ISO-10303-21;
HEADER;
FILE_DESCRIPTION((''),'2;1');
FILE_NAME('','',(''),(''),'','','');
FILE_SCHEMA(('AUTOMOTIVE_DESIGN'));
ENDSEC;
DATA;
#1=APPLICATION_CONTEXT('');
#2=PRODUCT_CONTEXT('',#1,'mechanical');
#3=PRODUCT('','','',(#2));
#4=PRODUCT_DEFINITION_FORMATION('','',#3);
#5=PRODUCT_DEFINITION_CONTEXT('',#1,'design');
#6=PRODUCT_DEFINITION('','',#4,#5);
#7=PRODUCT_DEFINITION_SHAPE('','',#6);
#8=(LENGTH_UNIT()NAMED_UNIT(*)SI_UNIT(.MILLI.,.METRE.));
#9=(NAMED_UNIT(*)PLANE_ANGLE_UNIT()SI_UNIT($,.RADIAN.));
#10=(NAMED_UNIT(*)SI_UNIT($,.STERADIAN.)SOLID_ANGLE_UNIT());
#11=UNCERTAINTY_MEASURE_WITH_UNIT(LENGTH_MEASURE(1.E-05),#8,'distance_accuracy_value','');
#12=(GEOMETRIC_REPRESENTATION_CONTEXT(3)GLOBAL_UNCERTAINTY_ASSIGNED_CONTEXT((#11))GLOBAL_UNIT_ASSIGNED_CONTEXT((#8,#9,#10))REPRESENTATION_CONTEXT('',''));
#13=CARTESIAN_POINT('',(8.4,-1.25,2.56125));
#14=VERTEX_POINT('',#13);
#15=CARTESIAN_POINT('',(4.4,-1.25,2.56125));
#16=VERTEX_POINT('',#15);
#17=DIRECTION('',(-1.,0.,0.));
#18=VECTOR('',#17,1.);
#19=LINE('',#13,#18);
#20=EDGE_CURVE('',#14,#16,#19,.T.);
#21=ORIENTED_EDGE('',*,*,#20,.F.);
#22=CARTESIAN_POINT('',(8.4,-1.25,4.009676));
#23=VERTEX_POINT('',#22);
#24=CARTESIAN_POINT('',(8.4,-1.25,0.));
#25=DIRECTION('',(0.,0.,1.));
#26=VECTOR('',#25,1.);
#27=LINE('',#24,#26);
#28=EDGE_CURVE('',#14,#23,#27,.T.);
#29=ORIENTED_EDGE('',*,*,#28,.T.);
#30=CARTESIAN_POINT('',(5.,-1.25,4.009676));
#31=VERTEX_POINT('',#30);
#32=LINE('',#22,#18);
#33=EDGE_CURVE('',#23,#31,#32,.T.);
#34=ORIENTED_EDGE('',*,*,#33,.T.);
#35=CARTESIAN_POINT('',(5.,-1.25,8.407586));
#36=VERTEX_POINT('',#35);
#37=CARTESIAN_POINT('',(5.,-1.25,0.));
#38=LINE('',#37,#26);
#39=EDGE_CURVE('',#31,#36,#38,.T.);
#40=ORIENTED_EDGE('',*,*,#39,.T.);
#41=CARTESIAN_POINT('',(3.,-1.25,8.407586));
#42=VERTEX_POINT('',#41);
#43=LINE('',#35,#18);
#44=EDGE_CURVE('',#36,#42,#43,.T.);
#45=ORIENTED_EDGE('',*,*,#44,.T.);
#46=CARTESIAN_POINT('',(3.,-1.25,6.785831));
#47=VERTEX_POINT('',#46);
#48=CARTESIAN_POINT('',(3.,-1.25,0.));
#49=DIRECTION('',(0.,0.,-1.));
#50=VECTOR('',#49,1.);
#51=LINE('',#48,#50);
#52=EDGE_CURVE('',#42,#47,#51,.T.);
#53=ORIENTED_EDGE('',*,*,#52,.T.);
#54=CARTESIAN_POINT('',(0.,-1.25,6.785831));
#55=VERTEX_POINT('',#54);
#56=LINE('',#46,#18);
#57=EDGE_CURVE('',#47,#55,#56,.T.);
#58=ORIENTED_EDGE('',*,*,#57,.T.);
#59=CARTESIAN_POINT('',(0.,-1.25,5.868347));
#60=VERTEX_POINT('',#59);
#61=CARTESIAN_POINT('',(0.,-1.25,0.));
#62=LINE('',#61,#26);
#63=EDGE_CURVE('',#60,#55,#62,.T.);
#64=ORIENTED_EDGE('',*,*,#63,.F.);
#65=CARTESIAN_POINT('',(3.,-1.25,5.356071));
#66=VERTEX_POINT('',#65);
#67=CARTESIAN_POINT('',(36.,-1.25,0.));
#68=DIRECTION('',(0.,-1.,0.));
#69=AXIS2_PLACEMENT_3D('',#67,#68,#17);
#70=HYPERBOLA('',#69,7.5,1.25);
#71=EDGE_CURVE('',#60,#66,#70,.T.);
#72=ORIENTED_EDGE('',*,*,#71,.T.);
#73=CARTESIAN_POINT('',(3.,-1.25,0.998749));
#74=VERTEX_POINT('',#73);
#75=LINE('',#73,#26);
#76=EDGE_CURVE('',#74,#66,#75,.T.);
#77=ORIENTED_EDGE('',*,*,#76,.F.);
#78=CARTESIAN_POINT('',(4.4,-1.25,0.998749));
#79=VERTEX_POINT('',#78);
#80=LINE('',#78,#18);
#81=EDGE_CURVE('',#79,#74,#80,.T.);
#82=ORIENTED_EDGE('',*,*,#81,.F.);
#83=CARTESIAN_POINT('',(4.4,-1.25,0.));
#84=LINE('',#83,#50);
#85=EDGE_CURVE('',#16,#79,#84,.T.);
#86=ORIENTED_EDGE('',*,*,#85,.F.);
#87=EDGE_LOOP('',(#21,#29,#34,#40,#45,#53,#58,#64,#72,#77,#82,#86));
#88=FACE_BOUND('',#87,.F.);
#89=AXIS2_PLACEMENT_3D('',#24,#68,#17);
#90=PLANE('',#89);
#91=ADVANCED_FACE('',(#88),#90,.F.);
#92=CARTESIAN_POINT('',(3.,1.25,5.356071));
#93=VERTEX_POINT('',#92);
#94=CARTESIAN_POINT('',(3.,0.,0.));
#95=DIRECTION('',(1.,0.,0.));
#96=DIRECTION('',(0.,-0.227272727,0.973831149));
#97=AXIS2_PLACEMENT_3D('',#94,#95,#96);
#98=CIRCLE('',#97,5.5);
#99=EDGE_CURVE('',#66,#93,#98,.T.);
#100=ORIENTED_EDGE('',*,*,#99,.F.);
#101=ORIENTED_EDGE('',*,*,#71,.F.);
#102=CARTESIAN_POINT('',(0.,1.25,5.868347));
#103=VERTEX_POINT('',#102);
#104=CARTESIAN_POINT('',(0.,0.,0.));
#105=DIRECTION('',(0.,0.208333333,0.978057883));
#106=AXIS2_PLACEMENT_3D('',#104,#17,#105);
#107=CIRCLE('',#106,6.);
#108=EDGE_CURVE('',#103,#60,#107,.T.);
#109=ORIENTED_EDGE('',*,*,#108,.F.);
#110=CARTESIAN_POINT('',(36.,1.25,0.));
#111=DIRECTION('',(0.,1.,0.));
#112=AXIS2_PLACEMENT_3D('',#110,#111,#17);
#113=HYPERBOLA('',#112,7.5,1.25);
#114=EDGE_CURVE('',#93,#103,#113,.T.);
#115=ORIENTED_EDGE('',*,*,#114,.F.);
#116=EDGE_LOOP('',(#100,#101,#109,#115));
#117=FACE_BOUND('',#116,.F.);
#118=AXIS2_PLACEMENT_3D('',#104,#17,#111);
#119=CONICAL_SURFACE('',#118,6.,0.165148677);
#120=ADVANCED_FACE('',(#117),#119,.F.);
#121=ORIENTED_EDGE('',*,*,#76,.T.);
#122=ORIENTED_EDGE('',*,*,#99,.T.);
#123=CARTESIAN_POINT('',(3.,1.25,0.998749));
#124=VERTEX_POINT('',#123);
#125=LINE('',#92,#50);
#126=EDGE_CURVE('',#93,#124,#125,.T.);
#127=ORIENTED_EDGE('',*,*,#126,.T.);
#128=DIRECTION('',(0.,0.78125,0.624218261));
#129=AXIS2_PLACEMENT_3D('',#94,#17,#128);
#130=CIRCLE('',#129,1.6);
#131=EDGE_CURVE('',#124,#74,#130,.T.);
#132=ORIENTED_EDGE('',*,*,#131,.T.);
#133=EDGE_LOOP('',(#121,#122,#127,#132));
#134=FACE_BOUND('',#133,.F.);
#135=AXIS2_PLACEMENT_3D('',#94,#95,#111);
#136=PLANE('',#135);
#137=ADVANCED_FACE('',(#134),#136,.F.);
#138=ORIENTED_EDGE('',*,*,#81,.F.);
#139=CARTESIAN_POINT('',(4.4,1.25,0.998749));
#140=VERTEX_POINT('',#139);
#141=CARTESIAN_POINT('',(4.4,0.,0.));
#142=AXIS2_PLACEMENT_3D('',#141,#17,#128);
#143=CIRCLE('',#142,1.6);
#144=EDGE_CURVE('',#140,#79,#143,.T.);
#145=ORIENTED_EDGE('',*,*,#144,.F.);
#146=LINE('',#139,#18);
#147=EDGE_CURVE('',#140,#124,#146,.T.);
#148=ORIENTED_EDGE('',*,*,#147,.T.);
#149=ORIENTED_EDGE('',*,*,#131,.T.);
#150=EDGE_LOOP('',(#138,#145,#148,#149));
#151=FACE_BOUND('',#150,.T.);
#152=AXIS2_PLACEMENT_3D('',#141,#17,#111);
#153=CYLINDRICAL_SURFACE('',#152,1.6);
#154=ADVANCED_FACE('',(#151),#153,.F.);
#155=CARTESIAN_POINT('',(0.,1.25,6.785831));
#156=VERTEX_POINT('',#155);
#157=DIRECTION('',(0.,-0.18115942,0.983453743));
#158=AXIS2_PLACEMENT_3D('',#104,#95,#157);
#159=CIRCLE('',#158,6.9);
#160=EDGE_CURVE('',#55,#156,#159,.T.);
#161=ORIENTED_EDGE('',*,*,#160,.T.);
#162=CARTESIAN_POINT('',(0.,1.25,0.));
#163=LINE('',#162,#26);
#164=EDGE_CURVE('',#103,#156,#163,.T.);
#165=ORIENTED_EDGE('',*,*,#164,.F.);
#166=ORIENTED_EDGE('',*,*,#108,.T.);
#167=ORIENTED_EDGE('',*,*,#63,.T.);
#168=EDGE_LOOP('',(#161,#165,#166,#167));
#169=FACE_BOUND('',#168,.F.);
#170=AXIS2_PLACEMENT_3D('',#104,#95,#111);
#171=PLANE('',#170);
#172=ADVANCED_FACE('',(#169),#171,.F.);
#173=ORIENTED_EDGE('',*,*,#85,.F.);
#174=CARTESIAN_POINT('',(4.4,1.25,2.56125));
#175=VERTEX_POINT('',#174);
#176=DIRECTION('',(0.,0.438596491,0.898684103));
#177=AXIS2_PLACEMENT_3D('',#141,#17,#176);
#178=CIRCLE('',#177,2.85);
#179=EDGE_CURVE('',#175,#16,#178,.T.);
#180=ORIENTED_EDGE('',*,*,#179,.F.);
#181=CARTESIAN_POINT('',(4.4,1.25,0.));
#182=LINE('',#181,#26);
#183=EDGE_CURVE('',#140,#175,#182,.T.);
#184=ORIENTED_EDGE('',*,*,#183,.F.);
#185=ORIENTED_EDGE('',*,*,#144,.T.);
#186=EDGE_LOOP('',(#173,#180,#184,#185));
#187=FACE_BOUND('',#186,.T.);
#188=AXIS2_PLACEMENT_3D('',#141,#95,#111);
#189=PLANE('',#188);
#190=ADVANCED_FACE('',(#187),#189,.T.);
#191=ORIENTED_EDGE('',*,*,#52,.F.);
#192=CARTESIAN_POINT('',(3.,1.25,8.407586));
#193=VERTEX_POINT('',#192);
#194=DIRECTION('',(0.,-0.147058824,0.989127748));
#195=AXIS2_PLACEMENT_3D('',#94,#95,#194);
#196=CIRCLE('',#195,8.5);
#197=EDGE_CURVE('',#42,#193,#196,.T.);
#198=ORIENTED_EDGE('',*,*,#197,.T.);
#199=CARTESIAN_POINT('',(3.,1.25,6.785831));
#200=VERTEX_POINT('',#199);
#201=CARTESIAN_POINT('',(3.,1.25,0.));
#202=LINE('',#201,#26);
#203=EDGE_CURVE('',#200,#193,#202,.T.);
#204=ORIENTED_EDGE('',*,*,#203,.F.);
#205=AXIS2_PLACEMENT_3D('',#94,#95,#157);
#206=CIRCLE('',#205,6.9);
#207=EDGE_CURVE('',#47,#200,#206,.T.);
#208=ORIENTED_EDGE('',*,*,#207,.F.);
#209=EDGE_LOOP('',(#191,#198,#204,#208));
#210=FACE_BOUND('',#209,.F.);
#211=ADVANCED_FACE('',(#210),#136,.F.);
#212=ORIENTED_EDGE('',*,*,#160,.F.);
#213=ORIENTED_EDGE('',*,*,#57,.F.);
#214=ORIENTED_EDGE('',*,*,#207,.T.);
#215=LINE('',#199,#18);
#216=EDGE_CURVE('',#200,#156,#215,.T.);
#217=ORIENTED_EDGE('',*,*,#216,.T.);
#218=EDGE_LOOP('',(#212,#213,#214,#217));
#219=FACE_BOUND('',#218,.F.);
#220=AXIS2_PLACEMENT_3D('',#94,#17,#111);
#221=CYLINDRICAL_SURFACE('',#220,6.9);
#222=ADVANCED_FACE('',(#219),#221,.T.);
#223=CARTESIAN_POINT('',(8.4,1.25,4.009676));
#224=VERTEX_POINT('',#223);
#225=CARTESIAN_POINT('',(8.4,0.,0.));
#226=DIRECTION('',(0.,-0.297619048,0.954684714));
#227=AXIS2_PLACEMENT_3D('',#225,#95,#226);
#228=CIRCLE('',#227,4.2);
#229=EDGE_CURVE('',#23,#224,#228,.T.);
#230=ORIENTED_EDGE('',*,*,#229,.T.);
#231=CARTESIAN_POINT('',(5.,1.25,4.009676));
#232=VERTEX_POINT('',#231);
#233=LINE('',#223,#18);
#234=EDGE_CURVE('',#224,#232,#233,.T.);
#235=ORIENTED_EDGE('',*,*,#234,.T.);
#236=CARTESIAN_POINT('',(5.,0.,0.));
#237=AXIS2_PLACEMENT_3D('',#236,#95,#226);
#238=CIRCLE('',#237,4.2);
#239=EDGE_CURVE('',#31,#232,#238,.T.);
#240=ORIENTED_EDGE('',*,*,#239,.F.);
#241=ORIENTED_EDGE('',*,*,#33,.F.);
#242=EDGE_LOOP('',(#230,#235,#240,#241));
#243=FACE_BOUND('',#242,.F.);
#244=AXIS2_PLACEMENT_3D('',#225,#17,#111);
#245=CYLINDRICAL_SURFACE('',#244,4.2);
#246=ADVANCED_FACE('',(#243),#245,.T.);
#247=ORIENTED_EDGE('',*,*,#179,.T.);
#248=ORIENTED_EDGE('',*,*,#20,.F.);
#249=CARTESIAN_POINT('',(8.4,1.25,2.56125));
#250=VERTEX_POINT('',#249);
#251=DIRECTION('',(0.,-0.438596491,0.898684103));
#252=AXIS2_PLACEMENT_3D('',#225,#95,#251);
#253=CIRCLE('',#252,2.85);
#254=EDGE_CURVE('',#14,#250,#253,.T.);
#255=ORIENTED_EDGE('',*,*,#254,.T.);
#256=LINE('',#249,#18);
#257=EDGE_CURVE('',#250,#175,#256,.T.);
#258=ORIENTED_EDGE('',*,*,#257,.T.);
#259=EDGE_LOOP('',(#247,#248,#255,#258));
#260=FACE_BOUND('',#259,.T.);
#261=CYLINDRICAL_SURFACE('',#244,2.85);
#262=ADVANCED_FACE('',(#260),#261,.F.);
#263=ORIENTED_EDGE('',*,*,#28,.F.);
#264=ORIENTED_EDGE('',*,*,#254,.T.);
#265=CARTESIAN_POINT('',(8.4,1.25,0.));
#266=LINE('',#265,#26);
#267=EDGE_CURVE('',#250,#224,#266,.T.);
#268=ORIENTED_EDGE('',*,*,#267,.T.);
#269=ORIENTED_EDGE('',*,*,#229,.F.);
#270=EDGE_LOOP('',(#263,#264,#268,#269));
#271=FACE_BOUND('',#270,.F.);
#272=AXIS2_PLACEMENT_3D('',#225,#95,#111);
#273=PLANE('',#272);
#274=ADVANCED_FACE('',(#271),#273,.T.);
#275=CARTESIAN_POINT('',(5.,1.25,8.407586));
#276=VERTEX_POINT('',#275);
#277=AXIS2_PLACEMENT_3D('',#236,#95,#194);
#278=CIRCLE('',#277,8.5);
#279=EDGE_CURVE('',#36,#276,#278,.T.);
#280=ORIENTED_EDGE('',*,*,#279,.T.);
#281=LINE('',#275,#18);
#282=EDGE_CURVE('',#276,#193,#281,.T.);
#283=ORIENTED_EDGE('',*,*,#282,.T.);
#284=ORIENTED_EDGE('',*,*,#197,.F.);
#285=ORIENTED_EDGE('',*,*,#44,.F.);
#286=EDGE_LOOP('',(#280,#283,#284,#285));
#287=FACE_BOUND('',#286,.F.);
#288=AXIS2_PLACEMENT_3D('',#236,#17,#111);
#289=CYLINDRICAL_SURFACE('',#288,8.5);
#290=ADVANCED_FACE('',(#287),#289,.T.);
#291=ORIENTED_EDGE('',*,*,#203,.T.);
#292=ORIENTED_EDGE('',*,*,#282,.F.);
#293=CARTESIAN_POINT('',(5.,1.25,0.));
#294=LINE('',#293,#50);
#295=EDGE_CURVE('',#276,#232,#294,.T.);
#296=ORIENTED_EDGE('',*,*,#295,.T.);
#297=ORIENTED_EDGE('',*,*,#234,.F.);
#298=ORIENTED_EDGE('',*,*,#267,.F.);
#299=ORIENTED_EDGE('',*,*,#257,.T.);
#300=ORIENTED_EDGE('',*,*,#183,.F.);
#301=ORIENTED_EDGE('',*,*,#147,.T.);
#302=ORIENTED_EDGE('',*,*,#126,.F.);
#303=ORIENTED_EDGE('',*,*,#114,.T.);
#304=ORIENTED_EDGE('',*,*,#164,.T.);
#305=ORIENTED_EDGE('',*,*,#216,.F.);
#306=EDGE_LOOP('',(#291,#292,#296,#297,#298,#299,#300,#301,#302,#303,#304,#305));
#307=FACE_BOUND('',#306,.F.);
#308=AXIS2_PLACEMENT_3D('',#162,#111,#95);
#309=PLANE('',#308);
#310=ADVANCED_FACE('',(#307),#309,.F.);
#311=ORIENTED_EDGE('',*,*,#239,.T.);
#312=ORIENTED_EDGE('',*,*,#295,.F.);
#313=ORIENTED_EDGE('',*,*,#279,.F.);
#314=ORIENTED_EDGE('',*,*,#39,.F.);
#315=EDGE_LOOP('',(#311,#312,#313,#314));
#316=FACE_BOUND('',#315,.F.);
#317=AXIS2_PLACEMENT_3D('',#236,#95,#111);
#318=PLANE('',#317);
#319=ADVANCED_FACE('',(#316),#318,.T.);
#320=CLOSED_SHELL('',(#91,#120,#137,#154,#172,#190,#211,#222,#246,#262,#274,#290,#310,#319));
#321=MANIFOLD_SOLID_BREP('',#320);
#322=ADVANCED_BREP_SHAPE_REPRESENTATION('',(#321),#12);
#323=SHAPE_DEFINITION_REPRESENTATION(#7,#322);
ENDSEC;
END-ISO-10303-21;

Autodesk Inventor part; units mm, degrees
ref_plane "YZ Plane" through (0, 0, 0) normal (1, 0, 0) x (0, 1, 0)
ref_plane "XZ Plane" through (0, 0, 0) normal (0, 1, 0) x (-1, 0, 0)
ref_plane "XY Plane" through (0, 0, 0) normal (0, 0, 1) x (1, 0, 0)
sketch "Sketch2" plane through (0, 0, 0) normal (0, 0, 1) x (1, 0, 0)
  line L0 (0, -1.7) -> (0, 10.2) construction
  line L1 (-1.68, 0) -> (10.08, 0) construction
  line L2 (8.4, 2.85) -> (8.4, 4.2)
  line L3 (8.4, 4.2) -> (5, 4.2)
  line L4 (5, 4.2) -> (5, 8.5)
  line L5 (5, 8.5) -> (3, 8.5)
  line L6 (3, 8.5) -> (3, 6.9)
  line L7 (3, 6.9) -> (0, 6.9)
  line L8 (0, 6.9) -> (0, 6)
  line L9 (0, 6) -> (3, 5.5)
  line L10 (3, 5.5) -> (3, 2.85)
  line L11 (8.4, 2.85) -> (4.4, 2.85)
  line L12 (4.4, 2.85) -> (4.4, 1.6)
  line L13 (4.4, 1.6) -> (3, 1.6)
  line L14 (3, 1.6) -> (3, 2.85)
  point P0 (0, 0)
  dimension "d0" = 17
  dimension "d1" = 8.4
  dimension "d2" = 8.4
  dimension "d3" = 3.4
  dimension "d5" = 13.8
  dimension "d6" = 11
  dimension "d7" = 12
  dimension "d8" = 3
  dimension "d9" = 3
  dimension "d11" = 5.7
  dimension "d12" = 4
  dimension "d13" = 3.2
revolve "Revolution1" add sketch "Sketch2" angle 360 about axis through (-10, 0, 0) along (1, 0, 0)
sketch "Sketch3" plane through (0, 0, 0) normal (0, 0, 1) x (1, 0, 0)
  line L0 (-1.68, 0) -> (10.08, 0) construction
  line L1 (0, -6.9) -> (0, 6.9) construction
  line L2 (8.4, -4.2) -> (8.4, 4.2) construction
  line L3 (0, 1.25) -> (8.4, 1.25)
  line L4 (8.4, 1.25) -> (8.4, -1.25)
  line L5 (8.4, -1.25) -> (0, -1.25)
  line L6 (0, -1.25) -> (0, 1.25)
  point P0 (0, 0)
  dimension "d14" = 2.5
extrude "Extrusion1" cut sketch "Sketch3" along normal through all
properties part number "Rondelle" material "ABS Plastic"
